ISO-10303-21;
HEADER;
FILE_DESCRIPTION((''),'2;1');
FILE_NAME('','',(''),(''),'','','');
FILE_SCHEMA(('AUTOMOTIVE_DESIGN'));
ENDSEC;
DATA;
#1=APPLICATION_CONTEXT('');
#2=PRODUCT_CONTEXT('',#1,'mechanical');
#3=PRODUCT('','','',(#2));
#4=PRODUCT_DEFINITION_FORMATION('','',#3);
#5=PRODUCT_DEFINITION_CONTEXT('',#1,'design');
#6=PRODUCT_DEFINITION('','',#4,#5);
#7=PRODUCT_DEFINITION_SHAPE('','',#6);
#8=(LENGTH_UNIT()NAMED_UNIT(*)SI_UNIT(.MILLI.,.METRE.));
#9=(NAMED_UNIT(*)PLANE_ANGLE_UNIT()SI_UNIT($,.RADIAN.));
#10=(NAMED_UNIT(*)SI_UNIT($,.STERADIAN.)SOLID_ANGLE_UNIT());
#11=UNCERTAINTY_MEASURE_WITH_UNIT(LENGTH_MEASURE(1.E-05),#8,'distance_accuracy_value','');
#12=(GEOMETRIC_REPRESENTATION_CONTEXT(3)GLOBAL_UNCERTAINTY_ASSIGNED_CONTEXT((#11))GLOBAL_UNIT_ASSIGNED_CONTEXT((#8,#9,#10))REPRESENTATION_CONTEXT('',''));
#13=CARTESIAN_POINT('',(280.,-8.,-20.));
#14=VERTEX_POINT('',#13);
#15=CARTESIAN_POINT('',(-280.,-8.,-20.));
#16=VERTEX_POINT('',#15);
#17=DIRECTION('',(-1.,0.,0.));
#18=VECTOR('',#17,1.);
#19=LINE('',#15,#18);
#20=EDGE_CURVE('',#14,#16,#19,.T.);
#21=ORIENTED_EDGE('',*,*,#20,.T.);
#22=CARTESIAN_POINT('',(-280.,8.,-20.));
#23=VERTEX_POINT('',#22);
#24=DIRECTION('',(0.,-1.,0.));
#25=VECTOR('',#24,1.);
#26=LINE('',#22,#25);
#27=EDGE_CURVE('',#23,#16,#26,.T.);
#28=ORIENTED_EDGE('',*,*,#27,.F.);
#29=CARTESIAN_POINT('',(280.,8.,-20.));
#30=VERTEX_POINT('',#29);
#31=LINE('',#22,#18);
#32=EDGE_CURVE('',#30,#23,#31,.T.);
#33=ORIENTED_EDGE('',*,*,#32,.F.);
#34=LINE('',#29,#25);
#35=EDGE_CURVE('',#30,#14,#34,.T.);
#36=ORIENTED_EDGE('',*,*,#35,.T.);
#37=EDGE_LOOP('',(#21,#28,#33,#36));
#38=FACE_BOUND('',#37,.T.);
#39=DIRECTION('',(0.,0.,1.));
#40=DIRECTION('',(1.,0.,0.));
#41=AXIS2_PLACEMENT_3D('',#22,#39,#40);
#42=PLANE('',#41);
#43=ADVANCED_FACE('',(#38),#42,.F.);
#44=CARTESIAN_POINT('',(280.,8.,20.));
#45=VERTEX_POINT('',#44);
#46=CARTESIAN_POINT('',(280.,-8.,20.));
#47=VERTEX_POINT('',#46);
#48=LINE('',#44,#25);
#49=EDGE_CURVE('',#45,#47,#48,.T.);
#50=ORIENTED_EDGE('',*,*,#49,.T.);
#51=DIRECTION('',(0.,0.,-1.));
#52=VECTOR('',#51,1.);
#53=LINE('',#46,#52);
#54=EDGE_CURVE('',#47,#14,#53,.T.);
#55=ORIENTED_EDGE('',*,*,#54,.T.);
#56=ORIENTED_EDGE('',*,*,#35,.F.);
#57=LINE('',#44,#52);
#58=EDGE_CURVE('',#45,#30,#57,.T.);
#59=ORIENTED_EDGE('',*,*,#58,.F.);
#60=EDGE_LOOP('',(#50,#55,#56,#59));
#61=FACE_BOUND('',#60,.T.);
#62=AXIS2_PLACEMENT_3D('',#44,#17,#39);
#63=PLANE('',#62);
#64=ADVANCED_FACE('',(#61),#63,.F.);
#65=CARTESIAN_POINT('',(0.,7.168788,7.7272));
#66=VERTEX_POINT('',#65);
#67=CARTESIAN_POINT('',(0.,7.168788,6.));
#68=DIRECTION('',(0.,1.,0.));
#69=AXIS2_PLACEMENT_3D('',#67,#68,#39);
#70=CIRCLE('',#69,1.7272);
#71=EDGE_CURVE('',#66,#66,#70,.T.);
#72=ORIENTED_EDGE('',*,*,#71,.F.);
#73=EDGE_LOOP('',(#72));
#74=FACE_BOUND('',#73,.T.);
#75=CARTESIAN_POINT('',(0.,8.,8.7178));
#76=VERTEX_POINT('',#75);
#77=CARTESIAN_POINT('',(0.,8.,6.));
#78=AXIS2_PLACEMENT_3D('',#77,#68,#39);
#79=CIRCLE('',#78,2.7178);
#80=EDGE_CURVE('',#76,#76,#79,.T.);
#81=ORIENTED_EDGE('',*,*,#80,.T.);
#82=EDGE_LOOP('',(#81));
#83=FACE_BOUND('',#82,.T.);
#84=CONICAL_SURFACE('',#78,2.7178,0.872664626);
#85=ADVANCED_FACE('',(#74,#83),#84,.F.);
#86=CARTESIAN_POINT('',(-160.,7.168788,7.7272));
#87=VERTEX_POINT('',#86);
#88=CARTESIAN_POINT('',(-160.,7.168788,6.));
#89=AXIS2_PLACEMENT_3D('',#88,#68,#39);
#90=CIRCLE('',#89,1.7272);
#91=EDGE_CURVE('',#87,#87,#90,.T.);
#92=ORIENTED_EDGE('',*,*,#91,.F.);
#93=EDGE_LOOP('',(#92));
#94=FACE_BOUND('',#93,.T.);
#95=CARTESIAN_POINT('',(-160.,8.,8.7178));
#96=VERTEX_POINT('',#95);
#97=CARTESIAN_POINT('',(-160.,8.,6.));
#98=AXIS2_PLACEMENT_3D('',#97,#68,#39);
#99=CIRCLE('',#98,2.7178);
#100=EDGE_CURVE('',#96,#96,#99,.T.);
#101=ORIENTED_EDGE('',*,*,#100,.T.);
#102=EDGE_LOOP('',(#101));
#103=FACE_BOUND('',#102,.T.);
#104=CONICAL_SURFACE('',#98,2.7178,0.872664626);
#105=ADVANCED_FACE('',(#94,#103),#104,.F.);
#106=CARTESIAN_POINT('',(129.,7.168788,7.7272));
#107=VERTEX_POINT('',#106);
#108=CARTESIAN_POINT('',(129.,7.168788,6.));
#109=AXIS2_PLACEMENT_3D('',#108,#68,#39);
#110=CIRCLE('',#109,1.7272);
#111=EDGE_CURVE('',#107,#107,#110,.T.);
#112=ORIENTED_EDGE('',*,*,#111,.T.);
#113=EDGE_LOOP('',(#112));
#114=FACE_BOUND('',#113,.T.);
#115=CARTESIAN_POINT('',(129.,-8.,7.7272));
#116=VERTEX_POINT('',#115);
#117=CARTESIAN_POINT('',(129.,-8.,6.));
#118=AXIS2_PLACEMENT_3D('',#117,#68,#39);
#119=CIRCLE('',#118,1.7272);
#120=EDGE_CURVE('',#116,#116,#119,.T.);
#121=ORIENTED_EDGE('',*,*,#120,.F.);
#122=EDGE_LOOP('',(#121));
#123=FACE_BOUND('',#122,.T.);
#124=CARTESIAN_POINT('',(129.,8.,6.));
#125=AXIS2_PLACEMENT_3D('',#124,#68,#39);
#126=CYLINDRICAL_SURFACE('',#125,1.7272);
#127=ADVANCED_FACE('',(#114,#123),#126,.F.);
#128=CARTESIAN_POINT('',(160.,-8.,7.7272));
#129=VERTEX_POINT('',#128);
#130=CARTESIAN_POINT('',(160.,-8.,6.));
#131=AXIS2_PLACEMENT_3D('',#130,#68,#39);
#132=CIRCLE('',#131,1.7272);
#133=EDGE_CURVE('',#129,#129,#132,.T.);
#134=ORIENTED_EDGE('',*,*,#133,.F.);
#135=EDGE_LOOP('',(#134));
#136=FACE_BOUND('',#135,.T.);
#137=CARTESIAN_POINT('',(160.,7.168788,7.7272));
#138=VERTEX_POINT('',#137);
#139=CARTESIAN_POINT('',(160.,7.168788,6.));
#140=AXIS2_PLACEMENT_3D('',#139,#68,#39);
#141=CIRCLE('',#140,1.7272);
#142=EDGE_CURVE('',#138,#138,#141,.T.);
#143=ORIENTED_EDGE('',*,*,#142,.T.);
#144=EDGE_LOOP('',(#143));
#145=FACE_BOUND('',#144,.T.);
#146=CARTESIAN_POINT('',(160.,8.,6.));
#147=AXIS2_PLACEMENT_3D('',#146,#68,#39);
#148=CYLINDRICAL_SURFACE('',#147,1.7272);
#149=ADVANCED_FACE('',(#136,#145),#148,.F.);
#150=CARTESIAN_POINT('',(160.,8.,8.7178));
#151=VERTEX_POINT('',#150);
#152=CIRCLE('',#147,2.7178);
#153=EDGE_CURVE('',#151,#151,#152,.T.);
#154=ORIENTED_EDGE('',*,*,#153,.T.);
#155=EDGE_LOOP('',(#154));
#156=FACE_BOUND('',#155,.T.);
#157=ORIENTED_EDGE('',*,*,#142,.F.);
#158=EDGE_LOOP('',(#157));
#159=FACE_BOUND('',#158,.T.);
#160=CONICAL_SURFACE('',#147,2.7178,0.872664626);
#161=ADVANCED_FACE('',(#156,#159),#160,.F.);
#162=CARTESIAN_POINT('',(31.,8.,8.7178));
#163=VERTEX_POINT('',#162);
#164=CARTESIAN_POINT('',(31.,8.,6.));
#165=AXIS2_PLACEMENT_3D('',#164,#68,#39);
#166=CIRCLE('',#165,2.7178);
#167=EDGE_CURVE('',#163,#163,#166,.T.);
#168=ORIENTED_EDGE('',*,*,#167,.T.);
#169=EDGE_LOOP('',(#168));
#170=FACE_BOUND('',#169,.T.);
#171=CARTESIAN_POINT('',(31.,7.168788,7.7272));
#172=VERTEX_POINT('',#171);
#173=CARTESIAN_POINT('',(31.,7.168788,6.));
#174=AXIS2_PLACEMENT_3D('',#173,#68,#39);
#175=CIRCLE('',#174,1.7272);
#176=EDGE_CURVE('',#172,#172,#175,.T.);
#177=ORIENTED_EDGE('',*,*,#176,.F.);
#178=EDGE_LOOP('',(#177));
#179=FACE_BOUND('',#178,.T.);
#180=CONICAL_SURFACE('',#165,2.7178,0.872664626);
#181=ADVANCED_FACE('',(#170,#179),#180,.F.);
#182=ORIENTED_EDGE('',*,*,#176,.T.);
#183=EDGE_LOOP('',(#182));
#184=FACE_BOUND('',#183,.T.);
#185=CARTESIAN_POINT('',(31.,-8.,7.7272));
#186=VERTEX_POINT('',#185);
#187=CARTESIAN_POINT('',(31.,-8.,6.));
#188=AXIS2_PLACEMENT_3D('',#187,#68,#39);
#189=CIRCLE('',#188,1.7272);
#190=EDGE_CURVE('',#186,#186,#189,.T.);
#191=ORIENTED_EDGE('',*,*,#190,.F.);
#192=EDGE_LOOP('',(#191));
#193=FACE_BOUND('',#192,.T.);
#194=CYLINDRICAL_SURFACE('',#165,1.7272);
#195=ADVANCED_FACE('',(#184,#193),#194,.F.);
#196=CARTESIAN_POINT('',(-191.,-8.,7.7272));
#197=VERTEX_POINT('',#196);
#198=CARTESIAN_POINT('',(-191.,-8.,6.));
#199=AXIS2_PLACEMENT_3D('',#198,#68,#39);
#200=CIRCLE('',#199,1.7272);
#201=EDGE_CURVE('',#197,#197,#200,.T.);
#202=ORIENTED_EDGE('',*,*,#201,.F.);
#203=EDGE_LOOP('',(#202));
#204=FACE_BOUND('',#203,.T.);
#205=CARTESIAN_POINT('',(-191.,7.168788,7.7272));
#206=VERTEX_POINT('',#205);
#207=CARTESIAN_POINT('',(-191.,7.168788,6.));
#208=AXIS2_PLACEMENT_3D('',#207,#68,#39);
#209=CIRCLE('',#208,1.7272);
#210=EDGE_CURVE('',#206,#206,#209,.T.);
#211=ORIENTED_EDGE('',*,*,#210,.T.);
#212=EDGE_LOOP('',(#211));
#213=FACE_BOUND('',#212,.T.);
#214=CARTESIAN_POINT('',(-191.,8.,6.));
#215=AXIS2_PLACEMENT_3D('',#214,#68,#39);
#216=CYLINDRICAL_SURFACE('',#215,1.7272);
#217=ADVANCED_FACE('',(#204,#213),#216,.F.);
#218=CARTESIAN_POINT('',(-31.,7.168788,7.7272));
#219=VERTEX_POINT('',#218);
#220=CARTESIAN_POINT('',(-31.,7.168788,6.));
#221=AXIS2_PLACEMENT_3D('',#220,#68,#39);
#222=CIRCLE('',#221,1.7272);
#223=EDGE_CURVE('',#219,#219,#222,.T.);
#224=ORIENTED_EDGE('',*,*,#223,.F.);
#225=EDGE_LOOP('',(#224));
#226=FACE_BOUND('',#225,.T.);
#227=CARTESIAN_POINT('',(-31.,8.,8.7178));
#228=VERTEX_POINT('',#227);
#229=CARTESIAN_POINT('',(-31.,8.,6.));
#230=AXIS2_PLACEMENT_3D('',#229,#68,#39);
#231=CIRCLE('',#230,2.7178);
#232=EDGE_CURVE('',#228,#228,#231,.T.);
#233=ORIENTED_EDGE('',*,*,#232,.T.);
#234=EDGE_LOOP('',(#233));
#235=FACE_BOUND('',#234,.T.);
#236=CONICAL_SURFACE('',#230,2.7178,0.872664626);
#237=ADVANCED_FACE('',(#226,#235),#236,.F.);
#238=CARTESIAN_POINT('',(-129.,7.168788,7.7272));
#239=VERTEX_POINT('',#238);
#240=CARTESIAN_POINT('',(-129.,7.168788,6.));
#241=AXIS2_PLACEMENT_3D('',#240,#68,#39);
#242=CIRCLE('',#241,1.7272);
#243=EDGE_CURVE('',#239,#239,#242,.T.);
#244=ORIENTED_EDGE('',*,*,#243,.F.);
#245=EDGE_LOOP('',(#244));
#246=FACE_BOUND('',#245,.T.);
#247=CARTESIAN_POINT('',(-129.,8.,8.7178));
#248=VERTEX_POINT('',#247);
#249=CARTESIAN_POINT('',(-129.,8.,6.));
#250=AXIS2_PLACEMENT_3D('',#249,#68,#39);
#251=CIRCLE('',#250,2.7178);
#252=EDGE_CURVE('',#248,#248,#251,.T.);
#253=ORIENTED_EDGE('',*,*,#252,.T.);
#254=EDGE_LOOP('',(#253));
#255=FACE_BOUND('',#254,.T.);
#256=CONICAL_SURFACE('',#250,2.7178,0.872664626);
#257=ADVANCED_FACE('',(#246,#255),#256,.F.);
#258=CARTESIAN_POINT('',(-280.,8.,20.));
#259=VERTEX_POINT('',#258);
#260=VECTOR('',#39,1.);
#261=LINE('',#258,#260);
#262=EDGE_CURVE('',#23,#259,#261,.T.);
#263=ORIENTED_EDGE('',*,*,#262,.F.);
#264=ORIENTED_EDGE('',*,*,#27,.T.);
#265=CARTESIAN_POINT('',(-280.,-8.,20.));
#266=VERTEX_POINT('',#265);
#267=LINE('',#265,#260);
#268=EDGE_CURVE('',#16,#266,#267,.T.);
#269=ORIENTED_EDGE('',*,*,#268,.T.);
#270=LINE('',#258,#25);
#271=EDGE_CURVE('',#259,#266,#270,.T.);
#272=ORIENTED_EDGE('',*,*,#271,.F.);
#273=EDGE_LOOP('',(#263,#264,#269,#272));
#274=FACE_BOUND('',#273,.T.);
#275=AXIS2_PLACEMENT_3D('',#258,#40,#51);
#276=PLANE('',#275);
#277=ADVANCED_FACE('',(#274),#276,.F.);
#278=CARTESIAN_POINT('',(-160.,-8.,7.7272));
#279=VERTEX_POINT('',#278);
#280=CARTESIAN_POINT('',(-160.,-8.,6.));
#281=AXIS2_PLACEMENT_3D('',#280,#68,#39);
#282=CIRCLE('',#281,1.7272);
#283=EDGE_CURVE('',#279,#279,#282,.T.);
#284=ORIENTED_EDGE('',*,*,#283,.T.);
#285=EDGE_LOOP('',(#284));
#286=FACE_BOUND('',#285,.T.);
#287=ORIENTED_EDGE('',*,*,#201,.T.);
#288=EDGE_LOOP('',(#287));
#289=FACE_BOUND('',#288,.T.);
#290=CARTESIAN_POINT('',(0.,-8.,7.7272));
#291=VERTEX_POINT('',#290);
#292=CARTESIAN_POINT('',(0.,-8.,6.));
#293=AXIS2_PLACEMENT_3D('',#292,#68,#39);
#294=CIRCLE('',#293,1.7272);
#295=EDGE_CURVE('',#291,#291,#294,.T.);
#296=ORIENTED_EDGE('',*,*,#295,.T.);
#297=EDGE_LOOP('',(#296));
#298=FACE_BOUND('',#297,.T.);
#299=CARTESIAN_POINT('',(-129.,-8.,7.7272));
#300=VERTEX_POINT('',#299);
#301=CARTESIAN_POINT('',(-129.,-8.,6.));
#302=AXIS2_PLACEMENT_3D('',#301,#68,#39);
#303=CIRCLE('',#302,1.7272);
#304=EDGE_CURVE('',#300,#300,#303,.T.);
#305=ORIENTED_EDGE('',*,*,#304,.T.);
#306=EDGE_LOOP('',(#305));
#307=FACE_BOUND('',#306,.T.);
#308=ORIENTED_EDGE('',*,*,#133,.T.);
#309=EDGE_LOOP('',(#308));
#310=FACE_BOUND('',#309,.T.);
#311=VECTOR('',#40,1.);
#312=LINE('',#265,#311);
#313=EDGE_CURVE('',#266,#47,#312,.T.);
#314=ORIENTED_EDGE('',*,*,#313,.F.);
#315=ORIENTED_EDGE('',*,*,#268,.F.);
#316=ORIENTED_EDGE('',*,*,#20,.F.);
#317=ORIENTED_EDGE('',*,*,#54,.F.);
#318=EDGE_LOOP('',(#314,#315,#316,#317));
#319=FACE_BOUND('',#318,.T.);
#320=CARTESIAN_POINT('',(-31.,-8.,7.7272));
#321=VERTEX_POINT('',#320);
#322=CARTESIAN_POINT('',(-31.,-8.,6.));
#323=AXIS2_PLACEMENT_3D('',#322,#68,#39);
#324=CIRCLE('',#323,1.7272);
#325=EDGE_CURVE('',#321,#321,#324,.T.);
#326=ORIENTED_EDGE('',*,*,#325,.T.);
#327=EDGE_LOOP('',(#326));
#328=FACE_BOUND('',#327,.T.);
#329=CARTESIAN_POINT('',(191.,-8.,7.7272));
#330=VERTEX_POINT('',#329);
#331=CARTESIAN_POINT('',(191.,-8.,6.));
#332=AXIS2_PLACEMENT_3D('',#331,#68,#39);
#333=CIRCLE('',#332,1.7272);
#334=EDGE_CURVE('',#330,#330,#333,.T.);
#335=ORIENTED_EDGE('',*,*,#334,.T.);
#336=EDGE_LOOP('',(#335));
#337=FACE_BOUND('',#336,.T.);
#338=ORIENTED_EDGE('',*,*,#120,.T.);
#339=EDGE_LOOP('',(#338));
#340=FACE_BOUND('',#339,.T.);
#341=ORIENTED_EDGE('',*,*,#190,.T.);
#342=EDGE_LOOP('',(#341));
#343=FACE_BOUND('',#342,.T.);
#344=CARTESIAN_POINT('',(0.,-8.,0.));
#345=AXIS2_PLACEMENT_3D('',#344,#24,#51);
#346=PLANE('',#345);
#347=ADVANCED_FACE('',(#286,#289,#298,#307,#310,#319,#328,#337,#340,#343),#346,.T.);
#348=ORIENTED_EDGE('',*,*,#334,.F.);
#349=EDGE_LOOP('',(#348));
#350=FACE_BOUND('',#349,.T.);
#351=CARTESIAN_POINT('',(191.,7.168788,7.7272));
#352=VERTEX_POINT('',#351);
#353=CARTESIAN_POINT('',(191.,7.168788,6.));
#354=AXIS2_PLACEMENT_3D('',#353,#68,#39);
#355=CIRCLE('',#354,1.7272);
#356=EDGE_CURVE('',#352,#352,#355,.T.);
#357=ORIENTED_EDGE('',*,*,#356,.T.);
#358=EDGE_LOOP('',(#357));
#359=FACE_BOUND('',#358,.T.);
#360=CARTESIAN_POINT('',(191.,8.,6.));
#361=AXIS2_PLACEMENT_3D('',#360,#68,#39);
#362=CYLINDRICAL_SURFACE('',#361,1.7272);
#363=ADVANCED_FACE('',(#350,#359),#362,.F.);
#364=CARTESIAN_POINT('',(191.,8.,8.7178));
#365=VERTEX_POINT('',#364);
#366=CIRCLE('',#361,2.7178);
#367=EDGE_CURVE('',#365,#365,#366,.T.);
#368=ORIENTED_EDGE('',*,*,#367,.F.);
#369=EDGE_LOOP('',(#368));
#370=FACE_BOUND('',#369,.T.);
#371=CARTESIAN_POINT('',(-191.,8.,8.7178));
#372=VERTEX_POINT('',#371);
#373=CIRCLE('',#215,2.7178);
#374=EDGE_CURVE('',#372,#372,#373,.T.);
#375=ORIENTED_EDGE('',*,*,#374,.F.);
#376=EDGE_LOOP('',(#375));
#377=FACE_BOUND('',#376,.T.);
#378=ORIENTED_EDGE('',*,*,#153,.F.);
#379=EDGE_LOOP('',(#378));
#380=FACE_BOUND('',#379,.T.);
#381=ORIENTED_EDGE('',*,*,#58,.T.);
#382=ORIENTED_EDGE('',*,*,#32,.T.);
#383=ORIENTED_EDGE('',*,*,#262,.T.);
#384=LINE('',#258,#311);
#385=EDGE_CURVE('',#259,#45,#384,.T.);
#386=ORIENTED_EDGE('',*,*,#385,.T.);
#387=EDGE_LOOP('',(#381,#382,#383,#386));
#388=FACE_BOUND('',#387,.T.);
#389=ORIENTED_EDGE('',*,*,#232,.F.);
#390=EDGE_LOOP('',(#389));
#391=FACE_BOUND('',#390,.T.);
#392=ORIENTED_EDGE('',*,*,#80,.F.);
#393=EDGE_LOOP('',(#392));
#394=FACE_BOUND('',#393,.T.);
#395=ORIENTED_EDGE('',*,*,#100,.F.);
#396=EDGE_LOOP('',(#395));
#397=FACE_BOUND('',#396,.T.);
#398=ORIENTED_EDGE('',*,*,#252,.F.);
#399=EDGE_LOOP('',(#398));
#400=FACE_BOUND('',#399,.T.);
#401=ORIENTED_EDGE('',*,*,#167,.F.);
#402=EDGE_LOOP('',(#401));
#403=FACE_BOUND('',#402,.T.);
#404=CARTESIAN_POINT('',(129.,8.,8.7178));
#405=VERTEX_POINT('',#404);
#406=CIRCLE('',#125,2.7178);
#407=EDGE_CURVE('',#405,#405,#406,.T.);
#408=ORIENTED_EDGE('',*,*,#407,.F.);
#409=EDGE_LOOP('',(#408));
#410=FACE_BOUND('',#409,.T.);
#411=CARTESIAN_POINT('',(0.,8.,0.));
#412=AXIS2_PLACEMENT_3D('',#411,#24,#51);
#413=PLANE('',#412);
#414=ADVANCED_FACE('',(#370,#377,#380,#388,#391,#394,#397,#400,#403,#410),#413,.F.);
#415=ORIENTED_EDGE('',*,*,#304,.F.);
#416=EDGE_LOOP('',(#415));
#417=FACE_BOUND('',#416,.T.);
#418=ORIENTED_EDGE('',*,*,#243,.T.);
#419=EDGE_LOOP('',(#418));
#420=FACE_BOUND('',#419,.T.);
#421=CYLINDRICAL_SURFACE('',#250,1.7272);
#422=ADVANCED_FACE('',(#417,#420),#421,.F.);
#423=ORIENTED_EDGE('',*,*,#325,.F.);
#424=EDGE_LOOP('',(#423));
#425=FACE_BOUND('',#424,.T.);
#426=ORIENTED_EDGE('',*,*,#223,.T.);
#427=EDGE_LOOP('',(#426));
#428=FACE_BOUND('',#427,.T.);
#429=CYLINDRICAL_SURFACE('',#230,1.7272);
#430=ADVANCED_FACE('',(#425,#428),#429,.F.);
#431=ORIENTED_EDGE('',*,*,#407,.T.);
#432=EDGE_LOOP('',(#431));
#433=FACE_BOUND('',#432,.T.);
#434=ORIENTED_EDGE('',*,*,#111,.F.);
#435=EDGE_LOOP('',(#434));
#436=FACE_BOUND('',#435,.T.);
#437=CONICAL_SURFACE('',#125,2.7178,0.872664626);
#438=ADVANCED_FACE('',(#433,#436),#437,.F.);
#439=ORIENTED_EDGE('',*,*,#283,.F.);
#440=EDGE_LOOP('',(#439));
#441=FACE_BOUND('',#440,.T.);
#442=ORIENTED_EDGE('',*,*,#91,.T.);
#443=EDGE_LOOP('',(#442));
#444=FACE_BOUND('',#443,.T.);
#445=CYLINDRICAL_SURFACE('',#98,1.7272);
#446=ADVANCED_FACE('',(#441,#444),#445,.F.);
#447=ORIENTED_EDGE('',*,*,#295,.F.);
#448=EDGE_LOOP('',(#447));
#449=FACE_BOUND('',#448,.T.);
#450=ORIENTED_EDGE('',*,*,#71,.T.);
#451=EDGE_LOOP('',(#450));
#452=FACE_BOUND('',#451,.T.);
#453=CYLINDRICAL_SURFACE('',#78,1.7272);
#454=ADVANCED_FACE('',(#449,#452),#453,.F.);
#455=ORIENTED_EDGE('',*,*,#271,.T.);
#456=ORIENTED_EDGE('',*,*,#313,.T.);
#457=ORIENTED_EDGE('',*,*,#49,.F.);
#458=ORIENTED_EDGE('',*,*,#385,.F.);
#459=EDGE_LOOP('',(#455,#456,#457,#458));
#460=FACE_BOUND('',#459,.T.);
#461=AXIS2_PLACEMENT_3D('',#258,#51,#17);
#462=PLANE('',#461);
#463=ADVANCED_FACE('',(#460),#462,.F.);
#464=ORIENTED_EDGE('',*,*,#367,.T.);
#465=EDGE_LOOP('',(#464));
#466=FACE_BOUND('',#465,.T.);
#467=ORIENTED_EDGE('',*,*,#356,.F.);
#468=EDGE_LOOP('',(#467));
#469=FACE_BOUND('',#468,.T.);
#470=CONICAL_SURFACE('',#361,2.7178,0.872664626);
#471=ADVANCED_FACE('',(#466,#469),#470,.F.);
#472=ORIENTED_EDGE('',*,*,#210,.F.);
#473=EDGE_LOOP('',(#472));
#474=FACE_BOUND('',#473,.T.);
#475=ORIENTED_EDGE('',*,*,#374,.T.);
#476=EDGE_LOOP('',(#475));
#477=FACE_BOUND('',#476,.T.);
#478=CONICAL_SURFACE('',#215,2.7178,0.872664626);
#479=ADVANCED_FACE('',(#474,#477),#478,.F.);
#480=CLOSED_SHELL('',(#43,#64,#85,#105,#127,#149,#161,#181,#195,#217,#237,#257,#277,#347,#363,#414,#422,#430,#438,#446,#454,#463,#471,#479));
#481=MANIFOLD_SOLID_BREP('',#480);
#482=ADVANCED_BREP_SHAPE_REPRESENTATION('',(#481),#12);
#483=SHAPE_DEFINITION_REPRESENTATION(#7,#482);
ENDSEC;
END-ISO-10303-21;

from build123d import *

# Parameters (mm, degrees)
SKETCH1_W                       = 560
SKETCH1_H                       = 40
BOSS_EXTRUDE1_DEPTH             = 8
F_8_36_TAPPED_HOLE1_D           = 3.4544
F_8_36_TAPPED_HOLE1_CSINK_D     = 5.4356
F_8_36_TAPPED_HOLE1_CSINK_ANGLE = 100
LPATTERN1_COUNT                 = 3
LPATTERN1_PITCH                 = 160


with BuildPart() as part:
    # Sketch1 → Boss-Extrude1 (new, symmetric)
    with BuildSketch(Plane(origin=(0, 0, 0), x_dir=(1, 0, 0), z_dir=(0, 1, 0))):
        Rectangle(SKETCH1_W, SKETCH1_H)
    extrude(amount=BOSS_EXTRUDE1_DEPTH, both=True)

    # #8-36 Tapped Hole1 (through all)
    with Locations(Plane(origin=(0, 8, 0), x_dir=(1, 0, 0), z_dir=(0, 1, 0))):
        with Locations((191, -6), (160, -6), (129, -6)):
            f_8_36_tapped_hole1 = CounterSinkHole(F_8_36_TAPPED_HOLE1_D / 2, F_8_36_TAPPED_HOLE1_CSINK_D / 2, counter_sink_angle=F_8_36_TAPPED_HOLE1_CSINK_ANGLE)

    # LPattern1: #8-36 Tapped Hole1 ×3
    with Locations(*[(-i * LPATTERN1_PITCH, 0, 0) for i in range(1, LPATTERN1_COUNT)]):
        add(f_8_36_tapped_hole1, mode=Mode.SUBTRACT)


solid = part.part
